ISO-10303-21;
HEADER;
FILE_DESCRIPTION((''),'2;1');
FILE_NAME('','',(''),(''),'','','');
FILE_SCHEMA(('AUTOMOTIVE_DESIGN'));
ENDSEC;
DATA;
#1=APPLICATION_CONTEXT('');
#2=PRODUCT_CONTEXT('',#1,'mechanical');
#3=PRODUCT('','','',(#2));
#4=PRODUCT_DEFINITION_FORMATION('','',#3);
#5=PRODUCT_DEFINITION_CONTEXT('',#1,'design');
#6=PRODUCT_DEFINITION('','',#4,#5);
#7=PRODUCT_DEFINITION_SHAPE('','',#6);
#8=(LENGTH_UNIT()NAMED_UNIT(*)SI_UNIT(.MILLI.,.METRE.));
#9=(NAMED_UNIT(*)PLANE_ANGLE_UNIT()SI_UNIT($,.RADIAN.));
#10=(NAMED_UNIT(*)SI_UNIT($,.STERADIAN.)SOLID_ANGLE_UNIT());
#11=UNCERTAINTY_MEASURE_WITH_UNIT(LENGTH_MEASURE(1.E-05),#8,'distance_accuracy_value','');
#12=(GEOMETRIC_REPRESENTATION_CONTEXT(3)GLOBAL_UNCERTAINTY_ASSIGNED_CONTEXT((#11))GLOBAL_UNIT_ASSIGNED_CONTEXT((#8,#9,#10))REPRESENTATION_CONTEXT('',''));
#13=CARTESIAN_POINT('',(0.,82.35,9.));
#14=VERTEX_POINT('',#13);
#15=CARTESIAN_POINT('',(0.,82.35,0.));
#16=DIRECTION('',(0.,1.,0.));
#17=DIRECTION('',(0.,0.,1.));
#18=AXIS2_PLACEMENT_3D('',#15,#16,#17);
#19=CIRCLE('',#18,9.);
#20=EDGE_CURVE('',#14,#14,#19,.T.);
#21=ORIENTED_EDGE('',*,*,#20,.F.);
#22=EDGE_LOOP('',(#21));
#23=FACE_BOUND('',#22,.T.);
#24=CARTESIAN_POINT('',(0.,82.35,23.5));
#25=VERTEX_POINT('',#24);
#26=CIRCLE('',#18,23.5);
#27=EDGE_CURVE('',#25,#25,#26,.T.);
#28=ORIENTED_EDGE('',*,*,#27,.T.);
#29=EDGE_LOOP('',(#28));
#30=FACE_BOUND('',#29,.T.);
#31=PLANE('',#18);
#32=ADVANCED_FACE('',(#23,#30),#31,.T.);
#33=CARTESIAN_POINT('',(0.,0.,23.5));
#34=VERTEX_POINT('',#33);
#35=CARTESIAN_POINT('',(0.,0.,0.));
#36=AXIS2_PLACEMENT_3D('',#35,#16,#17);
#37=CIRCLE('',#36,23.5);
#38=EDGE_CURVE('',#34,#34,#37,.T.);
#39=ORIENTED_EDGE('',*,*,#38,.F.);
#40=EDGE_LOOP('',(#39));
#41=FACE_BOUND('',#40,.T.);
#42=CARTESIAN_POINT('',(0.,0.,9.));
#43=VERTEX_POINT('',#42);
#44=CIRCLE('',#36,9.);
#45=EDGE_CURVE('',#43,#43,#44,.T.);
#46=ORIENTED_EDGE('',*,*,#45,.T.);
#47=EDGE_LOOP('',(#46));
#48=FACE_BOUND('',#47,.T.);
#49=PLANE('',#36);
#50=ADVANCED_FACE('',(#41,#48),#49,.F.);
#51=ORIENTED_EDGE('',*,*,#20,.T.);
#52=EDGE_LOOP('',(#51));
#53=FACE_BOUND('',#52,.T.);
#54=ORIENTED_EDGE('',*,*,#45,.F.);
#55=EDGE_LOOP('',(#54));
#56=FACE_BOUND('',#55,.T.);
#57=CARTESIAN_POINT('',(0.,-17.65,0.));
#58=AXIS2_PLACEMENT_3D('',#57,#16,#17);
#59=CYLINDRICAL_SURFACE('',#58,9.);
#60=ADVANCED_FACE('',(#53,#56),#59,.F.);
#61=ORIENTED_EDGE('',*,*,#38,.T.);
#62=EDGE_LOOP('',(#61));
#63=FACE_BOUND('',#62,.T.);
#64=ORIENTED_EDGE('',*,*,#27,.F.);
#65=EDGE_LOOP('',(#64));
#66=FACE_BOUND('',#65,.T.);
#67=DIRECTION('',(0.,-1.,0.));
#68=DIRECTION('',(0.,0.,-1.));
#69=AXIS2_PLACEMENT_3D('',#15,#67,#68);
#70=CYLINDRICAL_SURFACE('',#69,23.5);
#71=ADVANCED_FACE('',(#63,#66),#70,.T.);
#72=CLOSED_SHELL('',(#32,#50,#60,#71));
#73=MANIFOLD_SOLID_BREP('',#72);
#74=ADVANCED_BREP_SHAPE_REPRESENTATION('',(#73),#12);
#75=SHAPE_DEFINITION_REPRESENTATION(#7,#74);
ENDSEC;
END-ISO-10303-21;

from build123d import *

# Parameters (mm, degrees)
SKETCH1_R           = 23.5
BOSS_EXTRUDE1_DEPTH = 82.35
SKETCH2_R           = 9
CUT_EXTRUDE1_DEPTH  = 100


with BuildPart() as part:
    # Sketch1 → Boss-Extrude1 (new body)
    with BuildSketch(Plane(origin=(0, 0, 0), x_dir=(1, 0, 0), z_dir=(0, 1, 0))):
        Circle(SKETCH1_R)
    extrude(amount=BOSS_EXTRUDE1_DEPTH)

    # Sketch2 → Cut-Extrude1 (cut)
    with BuildSketch(Plane(origin=(0, 82.35, 0), x_dir=(1, 0, 0), z_dir=(0, 1, 0))):
        Circle(SKETCH2_R)
    extrude(amount=-CUT_EXTRUDE1_DEPTH, mode=Mode.SUBTRACT)


solid = part.part
